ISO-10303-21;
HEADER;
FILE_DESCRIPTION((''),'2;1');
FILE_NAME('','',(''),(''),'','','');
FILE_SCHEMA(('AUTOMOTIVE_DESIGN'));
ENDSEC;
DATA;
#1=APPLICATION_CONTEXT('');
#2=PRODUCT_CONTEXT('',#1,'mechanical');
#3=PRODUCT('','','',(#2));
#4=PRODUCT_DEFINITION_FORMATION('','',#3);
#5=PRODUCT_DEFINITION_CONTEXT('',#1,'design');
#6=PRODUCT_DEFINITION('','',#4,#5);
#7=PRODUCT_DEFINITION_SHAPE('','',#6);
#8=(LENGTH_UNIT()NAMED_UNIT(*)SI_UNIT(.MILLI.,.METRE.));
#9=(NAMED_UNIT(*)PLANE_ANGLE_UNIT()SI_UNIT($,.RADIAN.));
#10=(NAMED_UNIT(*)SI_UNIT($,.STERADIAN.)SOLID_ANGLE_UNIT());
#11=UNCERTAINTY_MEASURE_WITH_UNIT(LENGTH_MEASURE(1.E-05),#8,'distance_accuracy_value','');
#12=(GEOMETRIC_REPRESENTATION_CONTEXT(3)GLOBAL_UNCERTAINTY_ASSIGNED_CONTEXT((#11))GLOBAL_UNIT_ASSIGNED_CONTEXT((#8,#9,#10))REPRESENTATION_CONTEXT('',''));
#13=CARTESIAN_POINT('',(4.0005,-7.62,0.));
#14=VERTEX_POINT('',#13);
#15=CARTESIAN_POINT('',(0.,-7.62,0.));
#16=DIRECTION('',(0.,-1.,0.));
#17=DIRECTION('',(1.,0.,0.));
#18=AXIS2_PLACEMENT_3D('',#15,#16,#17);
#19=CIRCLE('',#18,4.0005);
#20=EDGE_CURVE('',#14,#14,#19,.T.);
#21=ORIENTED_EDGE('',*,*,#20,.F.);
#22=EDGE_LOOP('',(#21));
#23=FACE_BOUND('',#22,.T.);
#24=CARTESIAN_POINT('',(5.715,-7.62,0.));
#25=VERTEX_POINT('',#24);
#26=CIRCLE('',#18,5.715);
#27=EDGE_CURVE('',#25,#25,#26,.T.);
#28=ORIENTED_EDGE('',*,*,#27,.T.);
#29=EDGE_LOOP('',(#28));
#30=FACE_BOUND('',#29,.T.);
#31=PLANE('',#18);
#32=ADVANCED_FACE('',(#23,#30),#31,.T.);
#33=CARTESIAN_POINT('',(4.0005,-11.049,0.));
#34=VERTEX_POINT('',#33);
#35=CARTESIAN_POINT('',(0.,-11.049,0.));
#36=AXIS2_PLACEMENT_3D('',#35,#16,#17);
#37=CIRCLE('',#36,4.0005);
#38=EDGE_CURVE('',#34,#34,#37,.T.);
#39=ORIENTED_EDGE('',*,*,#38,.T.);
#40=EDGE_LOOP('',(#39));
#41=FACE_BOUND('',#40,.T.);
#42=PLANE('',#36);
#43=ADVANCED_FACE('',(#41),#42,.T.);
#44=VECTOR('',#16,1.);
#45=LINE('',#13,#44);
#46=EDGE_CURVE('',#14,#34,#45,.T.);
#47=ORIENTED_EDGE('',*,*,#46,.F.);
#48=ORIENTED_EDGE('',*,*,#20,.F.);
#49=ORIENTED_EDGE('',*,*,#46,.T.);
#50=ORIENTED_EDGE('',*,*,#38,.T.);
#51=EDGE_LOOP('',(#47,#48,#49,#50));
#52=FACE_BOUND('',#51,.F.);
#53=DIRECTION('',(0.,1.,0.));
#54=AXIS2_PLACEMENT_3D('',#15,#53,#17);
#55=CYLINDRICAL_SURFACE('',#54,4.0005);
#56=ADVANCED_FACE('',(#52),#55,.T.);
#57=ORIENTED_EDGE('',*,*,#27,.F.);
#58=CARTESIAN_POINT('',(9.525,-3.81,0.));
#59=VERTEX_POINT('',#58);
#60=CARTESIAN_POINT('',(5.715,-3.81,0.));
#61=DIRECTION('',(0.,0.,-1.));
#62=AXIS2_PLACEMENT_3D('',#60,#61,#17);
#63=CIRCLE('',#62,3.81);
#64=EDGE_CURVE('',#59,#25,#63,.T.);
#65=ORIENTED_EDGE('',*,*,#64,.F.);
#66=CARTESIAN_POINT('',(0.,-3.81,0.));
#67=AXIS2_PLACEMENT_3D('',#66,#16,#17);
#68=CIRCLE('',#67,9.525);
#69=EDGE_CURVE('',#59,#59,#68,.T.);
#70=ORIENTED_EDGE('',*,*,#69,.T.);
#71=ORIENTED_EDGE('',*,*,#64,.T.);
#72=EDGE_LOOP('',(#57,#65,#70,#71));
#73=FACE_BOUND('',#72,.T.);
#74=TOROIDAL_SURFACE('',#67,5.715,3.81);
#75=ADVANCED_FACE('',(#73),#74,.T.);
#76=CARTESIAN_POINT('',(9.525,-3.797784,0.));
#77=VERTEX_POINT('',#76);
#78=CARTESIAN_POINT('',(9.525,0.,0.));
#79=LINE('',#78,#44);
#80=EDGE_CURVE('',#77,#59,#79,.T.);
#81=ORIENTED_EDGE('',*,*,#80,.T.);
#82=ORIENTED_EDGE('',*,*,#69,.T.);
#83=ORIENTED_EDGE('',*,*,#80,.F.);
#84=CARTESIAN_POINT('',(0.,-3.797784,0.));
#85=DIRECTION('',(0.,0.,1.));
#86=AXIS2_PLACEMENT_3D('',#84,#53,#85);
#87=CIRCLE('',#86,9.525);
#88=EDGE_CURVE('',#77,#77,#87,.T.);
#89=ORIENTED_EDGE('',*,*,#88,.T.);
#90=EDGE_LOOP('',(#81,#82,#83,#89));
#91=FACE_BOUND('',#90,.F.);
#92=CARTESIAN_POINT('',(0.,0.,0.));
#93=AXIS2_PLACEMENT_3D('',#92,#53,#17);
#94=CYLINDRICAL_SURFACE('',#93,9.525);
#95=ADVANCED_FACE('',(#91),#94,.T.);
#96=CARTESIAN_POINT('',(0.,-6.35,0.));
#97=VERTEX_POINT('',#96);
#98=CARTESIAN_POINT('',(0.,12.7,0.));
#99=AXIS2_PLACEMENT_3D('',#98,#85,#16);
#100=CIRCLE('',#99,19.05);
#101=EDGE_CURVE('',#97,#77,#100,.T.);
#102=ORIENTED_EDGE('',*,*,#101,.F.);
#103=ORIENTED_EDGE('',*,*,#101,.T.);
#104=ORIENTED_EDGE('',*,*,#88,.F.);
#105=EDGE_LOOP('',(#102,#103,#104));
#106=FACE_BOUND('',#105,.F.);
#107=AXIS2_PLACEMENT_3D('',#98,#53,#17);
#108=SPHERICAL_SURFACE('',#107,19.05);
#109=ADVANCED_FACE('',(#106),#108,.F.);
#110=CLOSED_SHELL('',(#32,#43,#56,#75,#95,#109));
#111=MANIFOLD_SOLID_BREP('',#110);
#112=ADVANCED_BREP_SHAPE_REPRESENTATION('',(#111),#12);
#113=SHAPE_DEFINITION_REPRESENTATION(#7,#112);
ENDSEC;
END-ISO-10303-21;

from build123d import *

# Parameters (mm, degrees)
F1_R     = 9.525
F2_DEPTH = 7.62
F4_R     = 4.0005
F5_DEPTH = 3.429
F6_R     = 3.81


with BuildPart() as f2:
    # F1 (on Front) → F2 (new body)
    with BuildSketch(Plane.XZ):
        Circle(F1_R)
    extrude(amount=F2_DEPTH)

    # F0 (on Top) → F3 (revolve, cut)
    with BuildSketch(Plane.XY):
        with BuildLine():
            Line((0, 31.75), (0, -6.35))
            ThreePointArc((0, -6.35), (19.05, 12.7), (0, 31.75))
        make_face()
    revolve(axis=Axis((0, 12.7, 0), (0, 1, 0)), mode=Mode.SUBTRACT)

    # F4 (on face) → F5 (join)
    with BuildSketch(Plane.XZ.offset(7.62)):
        Circle(F4_R)
    extrude(amount=F5_DEPTH)

    # F6
    f6_edges = [f2.edges().sort_by_distance(p)[0] for p in [
        (-9.525, -7.62, 0),
    ]]
    fillet(f6_edges, radius=F6_R)


solid = f2.part
